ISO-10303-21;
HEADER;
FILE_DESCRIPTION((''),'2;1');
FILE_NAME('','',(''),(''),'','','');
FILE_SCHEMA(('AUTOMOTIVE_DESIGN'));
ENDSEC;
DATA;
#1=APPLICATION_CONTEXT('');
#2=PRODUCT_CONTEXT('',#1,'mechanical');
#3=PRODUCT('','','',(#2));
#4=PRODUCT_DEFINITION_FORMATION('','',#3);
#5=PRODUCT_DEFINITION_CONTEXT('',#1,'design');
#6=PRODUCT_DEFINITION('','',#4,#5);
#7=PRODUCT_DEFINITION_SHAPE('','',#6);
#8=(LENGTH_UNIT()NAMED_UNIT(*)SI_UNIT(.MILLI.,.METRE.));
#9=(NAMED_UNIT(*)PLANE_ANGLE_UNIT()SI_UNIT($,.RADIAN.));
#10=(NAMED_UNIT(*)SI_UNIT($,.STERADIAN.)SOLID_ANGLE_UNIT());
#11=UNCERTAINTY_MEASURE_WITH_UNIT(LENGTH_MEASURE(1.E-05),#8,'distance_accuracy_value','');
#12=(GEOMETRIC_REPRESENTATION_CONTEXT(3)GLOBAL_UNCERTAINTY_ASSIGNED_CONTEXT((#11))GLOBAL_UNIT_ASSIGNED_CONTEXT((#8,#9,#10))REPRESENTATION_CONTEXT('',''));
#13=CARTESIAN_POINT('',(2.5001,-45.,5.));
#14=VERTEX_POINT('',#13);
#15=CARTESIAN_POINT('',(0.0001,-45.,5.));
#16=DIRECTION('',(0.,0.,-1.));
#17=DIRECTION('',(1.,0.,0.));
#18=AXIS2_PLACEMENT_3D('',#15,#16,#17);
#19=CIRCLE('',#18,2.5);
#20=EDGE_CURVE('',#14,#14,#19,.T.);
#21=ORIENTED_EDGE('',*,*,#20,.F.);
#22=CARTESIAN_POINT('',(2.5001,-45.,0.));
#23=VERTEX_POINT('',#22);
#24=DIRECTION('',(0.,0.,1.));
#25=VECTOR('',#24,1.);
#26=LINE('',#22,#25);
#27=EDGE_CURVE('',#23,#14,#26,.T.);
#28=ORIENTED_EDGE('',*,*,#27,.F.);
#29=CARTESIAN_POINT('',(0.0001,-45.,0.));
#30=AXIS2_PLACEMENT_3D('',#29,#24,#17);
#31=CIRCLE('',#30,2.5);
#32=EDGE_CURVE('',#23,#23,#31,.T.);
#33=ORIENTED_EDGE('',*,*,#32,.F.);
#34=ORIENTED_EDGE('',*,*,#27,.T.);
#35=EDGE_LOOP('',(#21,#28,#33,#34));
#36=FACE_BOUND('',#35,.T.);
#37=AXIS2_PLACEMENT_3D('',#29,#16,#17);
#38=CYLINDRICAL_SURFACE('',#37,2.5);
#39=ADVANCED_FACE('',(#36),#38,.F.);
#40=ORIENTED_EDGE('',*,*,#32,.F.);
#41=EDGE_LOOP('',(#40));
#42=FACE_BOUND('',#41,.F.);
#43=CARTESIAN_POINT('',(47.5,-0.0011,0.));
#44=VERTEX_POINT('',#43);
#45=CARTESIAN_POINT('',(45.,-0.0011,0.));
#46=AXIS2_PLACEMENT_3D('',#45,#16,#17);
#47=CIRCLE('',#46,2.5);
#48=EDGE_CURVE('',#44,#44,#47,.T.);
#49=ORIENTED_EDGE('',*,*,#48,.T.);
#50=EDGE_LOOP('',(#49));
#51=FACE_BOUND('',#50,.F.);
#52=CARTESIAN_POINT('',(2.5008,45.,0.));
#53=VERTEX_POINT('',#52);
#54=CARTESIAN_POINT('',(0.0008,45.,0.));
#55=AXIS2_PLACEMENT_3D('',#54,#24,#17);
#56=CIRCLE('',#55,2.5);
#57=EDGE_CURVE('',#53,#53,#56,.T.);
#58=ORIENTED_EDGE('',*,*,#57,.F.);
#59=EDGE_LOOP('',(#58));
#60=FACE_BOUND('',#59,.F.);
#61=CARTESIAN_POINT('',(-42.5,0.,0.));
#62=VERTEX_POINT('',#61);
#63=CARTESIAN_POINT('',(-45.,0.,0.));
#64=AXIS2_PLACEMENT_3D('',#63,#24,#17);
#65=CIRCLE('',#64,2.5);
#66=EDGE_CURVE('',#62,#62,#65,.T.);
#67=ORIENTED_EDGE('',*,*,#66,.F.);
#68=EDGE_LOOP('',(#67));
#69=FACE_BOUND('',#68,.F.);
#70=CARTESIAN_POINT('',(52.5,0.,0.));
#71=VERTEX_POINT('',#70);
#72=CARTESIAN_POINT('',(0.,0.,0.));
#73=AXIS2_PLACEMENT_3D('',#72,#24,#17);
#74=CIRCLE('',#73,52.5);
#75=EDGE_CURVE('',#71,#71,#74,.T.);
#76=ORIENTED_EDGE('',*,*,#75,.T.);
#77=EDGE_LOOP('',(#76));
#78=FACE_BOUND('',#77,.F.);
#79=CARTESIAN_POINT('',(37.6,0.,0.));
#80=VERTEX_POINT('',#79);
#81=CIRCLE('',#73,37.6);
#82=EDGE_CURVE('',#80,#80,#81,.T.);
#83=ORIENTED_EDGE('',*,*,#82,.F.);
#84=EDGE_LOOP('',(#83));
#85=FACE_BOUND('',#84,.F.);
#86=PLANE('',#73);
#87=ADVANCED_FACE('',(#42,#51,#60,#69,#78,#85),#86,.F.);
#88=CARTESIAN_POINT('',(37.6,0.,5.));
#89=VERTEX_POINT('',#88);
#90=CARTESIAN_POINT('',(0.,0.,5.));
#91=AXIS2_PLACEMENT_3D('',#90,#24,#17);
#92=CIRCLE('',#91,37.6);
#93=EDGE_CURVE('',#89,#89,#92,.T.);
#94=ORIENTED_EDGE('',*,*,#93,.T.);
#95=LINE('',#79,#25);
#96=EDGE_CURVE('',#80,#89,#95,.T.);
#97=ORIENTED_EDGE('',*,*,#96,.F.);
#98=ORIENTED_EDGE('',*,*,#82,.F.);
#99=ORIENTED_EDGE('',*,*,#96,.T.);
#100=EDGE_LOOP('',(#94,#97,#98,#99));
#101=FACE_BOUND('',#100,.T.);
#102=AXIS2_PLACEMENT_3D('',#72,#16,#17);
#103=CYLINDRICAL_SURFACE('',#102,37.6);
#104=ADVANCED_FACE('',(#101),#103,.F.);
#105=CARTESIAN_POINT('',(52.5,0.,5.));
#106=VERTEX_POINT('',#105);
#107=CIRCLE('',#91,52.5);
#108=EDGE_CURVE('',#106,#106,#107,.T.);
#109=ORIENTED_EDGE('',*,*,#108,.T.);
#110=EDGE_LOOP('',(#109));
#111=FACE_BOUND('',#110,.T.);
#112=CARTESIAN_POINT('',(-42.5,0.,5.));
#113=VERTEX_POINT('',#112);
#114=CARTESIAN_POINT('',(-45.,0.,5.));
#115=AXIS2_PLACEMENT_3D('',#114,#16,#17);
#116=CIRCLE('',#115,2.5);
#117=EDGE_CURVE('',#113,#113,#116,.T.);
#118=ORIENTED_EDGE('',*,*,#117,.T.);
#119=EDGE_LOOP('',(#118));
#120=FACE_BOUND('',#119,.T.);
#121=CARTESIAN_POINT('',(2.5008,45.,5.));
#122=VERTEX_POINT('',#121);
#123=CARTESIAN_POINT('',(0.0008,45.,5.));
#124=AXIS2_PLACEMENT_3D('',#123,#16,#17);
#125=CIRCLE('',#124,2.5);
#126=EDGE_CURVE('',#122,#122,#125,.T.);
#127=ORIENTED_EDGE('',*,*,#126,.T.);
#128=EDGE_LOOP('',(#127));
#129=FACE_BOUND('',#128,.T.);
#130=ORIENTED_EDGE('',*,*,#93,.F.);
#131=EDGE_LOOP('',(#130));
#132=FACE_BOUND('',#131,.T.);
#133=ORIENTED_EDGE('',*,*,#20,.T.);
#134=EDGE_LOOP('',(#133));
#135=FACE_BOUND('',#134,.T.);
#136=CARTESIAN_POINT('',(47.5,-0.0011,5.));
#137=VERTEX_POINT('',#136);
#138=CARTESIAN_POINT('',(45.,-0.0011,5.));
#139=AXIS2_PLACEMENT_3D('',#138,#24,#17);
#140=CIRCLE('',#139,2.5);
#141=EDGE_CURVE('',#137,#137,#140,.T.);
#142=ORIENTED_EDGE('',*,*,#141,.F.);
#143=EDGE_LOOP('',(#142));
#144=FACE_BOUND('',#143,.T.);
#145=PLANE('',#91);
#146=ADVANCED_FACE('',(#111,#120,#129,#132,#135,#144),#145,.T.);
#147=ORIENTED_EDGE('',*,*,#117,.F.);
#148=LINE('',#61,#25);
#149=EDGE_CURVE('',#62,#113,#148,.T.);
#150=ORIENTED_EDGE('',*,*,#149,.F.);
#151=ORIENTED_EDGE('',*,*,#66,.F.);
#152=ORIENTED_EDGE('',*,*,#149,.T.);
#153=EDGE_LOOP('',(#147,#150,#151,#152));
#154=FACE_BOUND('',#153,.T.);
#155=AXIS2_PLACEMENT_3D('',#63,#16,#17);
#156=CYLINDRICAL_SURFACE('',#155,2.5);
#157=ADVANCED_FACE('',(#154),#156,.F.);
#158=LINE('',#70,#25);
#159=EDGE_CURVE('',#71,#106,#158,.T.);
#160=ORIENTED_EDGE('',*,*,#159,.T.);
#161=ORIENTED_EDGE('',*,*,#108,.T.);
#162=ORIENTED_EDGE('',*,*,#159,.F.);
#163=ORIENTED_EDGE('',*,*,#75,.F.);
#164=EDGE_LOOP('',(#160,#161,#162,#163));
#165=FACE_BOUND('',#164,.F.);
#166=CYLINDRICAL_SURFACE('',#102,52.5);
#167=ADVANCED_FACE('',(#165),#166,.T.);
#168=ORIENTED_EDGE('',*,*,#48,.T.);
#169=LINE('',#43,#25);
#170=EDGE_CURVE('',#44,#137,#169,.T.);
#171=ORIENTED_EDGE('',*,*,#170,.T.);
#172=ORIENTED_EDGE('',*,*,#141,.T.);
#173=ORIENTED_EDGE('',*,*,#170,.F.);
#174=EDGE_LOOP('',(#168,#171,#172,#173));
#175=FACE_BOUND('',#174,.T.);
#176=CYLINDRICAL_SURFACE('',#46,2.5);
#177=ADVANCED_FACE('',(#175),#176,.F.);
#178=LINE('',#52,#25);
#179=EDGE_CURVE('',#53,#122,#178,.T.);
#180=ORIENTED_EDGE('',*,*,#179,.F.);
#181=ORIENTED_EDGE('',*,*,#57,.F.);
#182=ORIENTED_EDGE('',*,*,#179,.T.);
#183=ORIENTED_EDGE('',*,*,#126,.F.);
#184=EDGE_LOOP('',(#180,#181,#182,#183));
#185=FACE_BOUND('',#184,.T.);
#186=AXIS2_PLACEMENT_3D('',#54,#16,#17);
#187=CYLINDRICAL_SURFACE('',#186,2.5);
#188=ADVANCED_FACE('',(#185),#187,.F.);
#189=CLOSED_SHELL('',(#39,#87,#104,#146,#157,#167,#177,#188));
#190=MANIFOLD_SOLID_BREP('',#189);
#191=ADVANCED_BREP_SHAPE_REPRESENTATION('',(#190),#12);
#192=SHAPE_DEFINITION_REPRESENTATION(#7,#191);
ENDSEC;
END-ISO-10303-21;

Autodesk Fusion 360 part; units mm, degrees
sketch "Sketch1" plane through (0, 0, 0) normal (0, 0, 1) x (1, 0, 0)
  circle A0 centre (0, 0) radius 37.6
  circle A1 centre (0, 0) radius 45
  circle A2 centre (-45, 0) radius 2.5
  circle A3 centre (0.0008, 45) radius 2.5
  circle A4 centre (45, -0.0011) radius 2.5
  circle A5 centre (0.0001, -45) radius 2.5
  circle A6 centre (0, 0) radius 52.5
  dimension "d1" = 75.2
  dimension "d2" = 90
  dimension "d3" = 5
  dimension "d4" = 5
  dimension "d5" = 5
  dimension "d6" = 5
  dimension "d7" = 105
extrude "Extrude1" add sketch "Sketch1" along normal blind 5 contours A1 A2 A3 A4 A5 | A6
